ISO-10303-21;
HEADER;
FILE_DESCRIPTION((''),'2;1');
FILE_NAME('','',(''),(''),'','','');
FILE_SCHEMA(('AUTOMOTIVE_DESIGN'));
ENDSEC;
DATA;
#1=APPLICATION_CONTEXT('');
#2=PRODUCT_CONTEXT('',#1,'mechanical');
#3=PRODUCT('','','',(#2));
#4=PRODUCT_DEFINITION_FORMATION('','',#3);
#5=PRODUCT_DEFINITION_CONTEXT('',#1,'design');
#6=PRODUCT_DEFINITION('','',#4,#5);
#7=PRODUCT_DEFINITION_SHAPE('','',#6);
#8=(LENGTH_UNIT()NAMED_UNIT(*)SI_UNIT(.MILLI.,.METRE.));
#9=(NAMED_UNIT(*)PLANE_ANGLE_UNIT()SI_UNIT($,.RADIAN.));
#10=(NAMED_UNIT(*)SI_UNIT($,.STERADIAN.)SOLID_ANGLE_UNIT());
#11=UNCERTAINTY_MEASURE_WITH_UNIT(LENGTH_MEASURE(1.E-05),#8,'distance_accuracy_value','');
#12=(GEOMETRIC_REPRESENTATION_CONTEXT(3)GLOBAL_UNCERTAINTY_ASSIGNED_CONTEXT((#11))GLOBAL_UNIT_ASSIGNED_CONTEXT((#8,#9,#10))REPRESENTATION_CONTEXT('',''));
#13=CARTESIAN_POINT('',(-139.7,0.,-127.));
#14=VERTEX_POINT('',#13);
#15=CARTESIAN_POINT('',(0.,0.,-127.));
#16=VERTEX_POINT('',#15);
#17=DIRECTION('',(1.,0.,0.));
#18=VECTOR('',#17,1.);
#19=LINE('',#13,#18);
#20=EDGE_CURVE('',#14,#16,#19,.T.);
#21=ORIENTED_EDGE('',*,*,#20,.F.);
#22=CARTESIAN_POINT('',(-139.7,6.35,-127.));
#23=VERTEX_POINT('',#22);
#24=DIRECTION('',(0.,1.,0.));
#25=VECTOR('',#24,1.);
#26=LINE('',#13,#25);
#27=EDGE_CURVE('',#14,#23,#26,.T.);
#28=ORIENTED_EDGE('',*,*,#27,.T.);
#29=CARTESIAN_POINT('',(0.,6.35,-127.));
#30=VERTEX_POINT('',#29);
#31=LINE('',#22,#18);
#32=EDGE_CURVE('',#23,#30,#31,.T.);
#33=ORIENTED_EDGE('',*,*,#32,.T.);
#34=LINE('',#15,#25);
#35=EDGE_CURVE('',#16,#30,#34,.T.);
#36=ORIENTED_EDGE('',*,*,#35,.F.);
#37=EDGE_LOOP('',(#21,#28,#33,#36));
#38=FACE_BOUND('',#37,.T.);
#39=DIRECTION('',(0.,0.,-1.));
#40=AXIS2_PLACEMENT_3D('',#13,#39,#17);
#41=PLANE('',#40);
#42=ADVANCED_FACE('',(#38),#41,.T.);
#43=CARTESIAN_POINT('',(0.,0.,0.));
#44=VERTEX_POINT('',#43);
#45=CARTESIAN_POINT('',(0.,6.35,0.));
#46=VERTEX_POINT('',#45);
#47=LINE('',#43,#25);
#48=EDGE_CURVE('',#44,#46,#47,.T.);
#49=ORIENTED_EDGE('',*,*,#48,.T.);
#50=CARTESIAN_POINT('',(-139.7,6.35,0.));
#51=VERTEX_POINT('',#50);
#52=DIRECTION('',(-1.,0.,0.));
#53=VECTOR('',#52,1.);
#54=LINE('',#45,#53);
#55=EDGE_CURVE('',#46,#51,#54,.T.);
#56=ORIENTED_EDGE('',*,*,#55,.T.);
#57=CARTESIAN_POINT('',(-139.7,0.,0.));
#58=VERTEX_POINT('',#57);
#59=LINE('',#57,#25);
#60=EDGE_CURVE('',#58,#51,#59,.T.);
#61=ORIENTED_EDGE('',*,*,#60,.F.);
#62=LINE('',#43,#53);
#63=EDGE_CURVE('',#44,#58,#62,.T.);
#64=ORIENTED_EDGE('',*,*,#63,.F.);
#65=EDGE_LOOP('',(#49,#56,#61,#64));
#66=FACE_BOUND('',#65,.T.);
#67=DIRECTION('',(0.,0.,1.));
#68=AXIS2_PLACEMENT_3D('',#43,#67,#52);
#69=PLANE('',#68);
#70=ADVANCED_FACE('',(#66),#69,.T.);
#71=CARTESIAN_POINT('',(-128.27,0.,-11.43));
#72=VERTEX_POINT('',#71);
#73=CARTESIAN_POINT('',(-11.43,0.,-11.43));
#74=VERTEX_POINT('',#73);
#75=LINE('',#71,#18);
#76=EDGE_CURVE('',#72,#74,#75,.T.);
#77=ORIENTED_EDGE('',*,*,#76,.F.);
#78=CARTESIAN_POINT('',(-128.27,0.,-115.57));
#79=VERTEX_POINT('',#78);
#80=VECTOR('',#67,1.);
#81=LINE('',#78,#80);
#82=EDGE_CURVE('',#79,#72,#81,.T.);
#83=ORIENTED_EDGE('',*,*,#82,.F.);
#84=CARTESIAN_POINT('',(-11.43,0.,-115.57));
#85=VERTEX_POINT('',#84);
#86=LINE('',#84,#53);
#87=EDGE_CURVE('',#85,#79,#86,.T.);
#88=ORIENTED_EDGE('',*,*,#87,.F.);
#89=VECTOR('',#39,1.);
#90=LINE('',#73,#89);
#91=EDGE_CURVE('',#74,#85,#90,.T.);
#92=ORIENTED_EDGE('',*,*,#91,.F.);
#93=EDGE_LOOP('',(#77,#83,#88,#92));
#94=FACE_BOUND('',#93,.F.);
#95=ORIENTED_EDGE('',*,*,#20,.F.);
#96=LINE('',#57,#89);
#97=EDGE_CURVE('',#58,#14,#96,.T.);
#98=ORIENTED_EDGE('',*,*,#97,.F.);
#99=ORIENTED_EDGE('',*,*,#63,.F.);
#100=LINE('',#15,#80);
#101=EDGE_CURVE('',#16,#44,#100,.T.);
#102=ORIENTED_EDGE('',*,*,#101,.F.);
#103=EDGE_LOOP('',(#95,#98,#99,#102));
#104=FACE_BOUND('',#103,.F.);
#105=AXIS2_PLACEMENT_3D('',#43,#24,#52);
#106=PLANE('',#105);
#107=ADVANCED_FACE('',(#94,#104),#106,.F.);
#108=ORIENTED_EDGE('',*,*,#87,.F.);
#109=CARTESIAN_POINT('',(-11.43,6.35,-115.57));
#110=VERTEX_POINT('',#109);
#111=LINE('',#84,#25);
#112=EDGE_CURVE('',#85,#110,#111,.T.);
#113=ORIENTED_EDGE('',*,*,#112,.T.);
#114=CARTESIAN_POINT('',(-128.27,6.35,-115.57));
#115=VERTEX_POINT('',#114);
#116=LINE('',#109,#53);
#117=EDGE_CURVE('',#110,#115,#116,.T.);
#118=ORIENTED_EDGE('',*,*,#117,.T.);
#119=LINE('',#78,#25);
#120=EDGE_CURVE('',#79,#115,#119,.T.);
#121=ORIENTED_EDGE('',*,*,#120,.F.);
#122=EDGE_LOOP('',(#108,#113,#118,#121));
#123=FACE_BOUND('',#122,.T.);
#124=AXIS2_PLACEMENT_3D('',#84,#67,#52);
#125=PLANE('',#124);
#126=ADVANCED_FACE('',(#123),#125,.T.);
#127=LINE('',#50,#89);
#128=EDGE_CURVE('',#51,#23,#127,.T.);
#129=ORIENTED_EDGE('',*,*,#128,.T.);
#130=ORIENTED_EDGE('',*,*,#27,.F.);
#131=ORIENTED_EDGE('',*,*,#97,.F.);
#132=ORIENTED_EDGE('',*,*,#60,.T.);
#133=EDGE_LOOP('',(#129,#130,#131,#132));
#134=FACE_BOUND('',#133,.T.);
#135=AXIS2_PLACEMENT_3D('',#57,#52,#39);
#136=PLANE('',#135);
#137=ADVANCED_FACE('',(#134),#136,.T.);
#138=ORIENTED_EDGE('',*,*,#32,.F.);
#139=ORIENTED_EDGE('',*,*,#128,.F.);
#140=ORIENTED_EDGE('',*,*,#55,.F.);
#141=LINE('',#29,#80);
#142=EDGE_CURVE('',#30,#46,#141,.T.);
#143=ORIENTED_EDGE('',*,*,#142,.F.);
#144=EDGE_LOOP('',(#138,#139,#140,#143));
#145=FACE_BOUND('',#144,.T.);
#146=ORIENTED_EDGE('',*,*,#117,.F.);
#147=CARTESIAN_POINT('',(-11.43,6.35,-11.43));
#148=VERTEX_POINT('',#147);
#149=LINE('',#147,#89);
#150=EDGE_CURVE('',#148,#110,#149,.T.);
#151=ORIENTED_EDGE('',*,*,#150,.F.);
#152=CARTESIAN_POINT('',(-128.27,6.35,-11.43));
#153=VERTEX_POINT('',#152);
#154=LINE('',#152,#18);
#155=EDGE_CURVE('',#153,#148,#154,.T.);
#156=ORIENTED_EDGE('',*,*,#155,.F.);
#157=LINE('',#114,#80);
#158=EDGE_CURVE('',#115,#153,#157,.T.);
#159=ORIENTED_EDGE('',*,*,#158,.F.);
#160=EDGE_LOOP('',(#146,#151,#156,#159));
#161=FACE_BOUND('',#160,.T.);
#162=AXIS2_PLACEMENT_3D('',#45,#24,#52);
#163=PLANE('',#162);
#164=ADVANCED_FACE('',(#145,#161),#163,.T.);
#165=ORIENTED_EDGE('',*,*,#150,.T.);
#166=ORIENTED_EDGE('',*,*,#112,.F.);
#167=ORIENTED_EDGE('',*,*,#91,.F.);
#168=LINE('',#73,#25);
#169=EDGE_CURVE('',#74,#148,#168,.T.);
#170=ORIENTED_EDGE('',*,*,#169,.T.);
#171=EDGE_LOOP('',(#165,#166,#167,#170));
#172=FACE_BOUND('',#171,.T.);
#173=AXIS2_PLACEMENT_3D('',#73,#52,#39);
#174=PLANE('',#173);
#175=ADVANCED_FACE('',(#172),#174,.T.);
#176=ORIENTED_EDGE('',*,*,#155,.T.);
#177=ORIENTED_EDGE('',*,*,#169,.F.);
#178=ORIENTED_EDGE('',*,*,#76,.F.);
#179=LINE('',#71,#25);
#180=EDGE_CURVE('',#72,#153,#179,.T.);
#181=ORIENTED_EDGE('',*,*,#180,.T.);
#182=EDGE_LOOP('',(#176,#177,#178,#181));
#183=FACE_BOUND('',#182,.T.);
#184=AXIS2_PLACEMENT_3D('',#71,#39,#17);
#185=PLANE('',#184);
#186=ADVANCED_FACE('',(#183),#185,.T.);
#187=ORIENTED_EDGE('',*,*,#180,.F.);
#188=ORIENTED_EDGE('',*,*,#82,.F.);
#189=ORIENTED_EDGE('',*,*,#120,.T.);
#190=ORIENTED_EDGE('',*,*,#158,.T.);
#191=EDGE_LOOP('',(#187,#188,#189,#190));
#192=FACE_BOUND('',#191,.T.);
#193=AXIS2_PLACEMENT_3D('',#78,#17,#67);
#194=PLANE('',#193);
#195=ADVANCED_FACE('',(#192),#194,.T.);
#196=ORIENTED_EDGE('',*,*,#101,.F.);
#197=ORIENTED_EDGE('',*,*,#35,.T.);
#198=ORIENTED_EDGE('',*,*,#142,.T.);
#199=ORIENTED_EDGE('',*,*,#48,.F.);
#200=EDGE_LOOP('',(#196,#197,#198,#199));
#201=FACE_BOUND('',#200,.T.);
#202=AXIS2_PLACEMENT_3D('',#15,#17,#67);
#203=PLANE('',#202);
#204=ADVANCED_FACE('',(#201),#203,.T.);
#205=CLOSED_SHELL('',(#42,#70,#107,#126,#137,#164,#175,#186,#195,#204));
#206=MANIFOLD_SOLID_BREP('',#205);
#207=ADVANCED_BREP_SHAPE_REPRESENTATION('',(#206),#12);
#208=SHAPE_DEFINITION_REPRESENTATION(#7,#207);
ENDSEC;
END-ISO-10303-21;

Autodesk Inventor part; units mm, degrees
ref_plane "YZ Plane" through (0, 0, 0) normal (1, 0, 0) x (0, 1, 0)
ref_plane "XZ Plane" through (0, 0, 0) normal (0, 1, 0) x (-1, 0, 0)
ref_plane "XY Plane" through (0, 0, 0) normal (0, 0, 1) x (1, 0, 0)
sketch "Sketch1" plane through (0, 0, 0) normal (0, 1, 0) x (-1, 0, 0)
  line L0 (0, 0) -> (139.7, 0)
  line L1 (139.7, 0) -> (139.7, -127)
  line L2 (139.7, -127) -> (0, -127)
  line L3 (0, -127) -> (0, 0)
  line L4 (128.27, -115.57) -> (128.27, -11.43)
  line L5 (128.27, -11.43) -> (11.43, -11.43)
  line L6 (11.43, -11.43) -> (11.43, -115.57)
  line L7 (11.43, -115.57) -> (128.27, -115.57)
  dimension "d0" = 139.7
  dimension "d1" = 127
  dimension "d2" = 11.43
extrude "Extrusion1" add sketch "Sketch1" along normal blind 6.35
properties part number "BAck_chasis"
